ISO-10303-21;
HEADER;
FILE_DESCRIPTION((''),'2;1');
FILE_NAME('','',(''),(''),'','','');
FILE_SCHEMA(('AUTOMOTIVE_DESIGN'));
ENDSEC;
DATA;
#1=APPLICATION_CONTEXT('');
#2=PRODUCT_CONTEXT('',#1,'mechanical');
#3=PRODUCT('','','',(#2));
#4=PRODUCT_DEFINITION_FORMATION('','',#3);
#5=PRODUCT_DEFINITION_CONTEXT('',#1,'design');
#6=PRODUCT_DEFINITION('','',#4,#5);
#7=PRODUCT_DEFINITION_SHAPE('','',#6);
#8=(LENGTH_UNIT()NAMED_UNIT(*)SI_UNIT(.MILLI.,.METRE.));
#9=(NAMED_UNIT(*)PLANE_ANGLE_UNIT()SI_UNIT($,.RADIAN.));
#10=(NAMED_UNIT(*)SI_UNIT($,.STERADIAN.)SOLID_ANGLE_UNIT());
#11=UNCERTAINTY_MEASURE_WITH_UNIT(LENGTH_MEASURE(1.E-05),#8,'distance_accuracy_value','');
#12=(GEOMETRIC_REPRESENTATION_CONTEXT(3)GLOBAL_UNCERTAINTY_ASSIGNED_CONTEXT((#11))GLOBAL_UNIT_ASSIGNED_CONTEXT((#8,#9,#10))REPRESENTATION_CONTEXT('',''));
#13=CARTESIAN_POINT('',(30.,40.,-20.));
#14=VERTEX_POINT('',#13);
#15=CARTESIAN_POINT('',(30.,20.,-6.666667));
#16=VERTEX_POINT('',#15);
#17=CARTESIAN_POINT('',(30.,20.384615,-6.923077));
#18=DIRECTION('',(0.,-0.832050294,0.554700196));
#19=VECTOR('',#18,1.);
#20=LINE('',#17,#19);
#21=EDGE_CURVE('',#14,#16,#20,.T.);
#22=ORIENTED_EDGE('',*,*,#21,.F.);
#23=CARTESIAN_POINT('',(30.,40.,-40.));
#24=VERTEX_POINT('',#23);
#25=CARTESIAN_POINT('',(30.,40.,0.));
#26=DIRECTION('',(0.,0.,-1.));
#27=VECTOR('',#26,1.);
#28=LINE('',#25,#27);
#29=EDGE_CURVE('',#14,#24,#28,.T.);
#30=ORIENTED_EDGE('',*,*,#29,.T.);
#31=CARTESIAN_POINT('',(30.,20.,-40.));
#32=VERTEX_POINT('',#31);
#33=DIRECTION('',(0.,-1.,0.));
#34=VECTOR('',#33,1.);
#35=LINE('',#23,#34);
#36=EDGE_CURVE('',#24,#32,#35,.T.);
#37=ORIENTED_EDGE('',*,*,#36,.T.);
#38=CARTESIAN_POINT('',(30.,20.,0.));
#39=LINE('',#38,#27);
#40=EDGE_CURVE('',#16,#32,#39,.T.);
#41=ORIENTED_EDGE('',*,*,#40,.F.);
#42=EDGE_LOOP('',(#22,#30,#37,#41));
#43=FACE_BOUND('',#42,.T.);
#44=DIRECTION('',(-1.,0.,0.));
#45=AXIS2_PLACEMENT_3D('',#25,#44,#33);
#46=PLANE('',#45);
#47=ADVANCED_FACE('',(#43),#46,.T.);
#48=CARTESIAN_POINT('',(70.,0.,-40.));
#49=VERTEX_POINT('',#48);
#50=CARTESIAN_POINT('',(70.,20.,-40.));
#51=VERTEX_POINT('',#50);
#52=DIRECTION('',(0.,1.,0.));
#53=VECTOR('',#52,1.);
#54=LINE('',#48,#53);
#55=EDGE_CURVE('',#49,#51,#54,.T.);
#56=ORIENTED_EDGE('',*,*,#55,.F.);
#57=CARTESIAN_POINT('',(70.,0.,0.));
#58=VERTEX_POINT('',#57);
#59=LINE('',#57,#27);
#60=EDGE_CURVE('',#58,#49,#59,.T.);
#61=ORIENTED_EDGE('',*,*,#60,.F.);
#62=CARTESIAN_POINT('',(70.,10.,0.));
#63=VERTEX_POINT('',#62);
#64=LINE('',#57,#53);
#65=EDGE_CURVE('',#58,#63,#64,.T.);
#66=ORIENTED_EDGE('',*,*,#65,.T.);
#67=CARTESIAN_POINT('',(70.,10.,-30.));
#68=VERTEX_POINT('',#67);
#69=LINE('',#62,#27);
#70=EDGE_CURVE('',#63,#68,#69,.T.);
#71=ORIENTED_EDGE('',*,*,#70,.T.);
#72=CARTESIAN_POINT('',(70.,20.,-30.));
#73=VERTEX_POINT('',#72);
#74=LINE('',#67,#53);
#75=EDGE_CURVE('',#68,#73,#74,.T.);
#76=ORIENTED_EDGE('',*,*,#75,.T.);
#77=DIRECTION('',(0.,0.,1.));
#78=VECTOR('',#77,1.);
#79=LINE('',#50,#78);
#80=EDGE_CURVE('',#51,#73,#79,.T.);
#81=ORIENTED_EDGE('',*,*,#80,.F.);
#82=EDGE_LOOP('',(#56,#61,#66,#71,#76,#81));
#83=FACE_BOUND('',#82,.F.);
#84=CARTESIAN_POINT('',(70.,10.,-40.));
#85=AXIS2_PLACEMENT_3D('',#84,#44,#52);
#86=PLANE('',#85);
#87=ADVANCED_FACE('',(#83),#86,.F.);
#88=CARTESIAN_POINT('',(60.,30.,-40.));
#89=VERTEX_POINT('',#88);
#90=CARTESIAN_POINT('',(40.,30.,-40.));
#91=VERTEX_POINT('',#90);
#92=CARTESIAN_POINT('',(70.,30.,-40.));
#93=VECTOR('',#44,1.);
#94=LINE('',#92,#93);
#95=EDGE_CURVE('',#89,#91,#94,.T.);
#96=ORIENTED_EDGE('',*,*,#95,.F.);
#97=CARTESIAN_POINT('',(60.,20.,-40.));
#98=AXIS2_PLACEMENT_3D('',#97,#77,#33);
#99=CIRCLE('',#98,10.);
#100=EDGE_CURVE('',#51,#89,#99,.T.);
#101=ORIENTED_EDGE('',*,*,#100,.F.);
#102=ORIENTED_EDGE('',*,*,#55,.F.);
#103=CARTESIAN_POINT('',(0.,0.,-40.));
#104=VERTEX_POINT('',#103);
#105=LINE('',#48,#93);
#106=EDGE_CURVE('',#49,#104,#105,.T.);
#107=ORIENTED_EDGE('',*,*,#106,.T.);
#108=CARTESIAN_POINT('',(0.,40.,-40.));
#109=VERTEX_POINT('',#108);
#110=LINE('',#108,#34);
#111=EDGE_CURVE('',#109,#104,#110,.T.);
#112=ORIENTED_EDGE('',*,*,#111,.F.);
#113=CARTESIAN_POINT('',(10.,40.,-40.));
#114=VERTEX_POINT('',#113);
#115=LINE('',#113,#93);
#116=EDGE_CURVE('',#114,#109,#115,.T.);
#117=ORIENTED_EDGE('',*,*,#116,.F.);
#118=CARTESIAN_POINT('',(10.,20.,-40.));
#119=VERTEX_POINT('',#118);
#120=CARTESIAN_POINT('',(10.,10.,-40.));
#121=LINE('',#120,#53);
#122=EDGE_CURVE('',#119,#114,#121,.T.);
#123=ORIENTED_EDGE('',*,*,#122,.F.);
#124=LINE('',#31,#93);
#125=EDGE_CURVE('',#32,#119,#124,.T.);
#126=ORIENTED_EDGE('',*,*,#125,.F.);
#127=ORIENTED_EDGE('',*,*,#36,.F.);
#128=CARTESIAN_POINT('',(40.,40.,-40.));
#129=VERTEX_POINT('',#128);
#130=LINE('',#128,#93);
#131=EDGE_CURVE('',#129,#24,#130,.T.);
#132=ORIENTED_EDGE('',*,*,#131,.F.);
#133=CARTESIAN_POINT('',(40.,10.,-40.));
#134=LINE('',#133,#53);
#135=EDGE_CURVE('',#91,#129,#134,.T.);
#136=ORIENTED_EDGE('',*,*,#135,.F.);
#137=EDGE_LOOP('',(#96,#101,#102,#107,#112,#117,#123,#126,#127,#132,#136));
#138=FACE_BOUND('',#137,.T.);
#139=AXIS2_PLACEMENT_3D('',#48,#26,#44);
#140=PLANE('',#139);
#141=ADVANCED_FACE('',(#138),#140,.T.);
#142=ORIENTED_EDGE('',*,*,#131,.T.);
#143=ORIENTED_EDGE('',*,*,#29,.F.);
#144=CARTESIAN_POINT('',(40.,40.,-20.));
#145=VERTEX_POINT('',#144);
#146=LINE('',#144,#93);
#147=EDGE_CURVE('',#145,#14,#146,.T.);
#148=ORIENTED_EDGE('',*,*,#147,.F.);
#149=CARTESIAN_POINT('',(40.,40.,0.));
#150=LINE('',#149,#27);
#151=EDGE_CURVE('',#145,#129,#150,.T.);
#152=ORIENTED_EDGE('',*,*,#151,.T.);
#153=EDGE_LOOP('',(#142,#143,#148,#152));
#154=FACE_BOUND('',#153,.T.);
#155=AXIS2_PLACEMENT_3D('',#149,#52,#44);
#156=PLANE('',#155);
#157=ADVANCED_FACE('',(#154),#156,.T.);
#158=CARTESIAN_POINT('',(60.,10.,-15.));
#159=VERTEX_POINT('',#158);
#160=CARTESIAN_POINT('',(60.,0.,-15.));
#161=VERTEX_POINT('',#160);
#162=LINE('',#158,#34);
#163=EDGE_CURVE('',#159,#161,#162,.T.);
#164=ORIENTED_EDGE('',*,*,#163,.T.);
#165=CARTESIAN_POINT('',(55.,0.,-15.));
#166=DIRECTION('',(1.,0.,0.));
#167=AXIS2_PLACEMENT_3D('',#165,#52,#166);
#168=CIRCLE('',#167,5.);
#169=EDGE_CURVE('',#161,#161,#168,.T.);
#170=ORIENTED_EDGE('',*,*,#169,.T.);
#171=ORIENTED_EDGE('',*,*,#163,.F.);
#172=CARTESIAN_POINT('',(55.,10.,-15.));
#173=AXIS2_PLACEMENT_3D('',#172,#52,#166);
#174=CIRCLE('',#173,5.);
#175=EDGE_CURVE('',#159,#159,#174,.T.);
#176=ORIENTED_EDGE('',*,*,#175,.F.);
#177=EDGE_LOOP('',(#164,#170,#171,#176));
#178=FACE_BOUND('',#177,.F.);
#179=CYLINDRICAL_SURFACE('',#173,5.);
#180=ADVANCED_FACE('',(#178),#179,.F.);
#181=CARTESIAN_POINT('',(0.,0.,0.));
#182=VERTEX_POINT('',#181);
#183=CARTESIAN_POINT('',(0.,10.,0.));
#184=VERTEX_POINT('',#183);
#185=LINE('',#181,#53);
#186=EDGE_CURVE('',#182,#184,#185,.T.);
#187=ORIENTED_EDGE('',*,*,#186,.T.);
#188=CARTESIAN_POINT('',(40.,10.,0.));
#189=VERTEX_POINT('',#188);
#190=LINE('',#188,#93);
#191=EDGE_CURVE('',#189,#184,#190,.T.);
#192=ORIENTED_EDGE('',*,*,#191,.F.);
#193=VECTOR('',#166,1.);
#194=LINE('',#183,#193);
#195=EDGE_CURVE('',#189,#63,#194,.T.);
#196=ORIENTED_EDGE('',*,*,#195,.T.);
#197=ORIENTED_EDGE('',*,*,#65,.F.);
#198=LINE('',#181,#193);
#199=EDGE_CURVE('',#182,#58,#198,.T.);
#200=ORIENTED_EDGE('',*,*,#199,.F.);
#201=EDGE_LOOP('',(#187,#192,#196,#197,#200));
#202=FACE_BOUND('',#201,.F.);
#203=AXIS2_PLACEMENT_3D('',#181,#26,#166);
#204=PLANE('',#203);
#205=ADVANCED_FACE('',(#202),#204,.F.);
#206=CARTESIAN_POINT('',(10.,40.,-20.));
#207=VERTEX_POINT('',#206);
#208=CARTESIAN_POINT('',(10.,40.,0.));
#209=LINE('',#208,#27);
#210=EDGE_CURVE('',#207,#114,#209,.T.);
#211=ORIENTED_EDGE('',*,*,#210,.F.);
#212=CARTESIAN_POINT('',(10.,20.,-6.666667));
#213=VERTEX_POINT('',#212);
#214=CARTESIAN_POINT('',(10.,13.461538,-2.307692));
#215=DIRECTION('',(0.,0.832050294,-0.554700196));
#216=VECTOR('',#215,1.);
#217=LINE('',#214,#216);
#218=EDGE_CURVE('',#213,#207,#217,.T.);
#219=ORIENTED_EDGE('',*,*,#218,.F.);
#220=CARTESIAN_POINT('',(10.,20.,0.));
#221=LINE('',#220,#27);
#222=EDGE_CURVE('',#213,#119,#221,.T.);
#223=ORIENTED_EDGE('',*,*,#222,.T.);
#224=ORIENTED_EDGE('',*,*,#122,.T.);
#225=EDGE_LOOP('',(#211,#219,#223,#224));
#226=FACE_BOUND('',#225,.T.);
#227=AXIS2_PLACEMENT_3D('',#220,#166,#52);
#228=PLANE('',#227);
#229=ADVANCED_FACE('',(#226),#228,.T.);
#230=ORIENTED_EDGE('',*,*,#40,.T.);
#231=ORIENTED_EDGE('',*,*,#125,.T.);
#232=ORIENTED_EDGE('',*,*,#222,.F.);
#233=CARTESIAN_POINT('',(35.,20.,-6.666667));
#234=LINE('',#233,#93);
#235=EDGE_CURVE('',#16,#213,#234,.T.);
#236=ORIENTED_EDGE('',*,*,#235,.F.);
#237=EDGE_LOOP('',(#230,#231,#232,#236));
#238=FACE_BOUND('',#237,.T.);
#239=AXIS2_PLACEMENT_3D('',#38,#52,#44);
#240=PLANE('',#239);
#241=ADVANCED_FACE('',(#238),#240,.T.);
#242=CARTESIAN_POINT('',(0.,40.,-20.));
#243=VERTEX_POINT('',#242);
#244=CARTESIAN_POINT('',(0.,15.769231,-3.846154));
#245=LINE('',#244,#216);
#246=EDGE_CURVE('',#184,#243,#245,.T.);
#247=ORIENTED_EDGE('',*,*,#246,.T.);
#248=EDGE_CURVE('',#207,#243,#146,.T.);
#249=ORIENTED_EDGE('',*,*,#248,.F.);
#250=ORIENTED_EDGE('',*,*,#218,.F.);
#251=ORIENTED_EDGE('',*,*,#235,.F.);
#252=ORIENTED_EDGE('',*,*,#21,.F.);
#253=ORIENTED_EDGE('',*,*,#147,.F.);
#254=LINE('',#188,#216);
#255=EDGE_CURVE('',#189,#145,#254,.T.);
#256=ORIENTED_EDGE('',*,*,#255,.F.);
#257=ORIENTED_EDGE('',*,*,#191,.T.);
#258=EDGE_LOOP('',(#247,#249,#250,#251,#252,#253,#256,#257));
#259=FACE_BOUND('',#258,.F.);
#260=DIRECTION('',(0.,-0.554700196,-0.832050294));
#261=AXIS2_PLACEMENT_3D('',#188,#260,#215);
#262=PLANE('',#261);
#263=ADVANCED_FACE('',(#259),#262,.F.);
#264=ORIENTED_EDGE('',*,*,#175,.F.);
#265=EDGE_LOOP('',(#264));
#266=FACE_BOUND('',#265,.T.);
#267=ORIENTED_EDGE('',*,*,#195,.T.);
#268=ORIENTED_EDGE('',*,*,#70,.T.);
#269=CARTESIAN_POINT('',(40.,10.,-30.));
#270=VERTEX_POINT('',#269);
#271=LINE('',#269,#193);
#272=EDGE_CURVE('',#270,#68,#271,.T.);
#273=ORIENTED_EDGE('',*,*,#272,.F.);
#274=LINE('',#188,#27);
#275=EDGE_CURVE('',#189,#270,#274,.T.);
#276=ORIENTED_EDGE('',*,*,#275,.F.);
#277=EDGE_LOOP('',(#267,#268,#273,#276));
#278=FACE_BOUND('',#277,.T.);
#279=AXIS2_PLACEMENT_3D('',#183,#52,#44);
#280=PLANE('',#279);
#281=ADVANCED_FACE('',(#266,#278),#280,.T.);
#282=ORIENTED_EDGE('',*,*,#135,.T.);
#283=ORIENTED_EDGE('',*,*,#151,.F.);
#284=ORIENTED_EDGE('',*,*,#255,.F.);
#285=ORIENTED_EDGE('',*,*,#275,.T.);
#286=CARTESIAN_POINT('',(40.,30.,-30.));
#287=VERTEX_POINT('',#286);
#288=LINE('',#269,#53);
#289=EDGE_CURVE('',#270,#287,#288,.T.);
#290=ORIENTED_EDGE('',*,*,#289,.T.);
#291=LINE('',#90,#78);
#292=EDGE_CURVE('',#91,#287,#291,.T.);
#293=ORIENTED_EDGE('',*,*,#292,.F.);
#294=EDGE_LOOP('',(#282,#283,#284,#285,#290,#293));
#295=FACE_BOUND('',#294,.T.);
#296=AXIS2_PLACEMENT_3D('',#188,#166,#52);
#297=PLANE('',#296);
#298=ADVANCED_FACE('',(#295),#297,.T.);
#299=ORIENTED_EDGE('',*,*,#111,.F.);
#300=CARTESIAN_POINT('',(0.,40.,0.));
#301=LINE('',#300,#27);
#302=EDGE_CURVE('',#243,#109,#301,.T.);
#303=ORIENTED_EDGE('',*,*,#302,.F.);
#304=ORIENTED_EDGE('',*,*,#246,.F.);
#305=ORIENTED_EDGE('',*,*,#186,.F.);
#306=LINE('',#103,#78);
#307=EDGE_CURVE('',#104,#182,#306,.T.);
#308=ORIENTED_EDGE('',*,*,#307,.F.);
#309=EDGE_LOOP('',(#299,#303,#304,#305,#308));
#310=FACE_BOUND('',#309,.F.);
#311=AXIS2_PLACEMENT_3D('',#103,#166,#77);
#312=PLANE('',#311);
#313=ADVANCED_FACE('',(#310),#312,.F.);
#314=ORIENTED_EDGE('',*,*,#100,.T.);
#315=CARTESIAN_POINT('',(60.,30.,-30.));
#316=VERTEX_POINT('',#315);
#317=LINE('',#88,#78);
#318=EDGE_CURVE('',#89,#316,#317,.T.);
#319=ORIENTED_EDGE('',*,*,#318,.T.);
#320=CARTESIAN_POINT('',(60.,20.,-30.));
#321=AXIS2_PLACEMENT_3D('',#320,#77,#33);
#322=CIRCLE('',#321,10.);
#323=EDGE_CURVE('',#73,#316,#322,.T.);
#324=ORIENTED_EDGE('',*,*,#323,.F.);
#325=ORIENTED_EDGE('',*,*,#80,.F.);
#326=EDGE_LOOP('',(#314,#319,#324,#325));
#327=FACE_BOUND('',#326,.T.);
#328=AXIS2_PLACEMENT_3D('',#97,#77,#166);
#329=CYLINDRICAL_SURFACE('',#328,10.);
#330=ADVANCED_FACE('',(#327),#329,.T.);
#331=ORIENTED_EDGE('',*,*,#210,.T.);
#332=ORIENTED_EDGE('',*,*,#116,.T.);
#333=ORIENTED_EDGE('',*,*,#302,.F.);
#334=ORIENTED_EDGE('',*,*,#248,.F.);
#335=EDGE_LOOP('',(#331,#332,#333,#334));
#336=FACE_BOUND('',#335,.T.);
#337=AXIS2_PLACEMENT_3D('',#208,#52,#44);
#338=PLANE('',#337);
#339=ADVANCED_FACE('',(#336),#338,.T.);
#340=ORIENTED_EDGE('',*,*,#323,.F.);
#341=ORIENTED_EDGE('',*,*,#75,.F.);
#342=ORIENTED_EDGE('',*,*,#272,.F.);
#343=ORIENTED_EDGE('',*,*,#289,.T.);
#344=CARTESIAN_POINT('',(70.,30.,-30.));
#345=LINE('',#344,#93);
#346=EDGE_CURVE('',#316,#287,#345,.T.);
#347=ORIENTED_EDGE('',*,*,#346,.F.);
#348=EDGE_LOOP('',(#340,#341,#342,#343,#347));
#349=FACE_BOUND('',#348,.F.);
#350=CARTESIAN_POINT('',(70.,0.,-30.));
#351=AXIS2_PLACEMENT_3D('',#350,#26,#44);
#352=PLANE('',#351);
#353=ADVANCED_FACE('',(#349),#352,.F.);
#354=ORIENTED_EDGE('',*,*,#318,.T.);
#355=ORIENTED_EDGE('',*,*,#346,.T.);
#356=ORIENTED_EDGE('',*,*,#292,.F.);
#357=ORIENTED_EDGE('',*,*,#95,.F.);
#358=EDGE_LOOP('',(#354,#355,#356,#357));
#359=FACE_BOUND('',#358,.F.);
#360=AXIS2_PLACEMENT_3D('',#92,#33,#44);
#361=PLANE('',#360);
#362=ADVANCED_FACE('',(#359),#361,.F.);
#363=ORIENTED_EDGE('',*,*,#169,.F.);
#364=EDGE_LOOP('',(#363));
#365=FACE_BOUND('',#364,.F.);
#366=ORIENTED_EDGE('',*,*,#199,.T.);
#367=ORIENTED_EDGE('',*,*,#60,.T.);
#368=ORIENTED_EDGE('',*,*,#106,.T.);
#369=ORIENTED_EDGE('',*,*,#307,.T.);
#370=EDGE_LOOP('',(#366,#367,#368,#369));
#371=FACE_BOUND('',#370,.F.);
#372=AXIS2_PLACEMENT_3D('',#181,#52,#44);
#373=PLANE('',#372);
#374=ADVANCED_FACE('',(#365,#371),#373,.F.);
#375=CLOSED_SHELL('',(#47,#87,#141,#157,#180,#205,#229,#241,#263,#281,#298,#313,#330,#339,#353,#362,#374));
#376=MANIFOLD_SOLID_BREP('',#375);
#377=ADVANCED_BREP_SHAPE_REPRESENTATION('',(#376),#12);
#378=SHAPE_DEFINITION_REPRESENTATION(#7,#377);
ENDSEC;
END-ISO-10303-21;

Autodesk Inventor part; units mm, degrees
ref_plane "YZ Plane" through (0, 0, 0) normal (1, 0, 0) x (0, 1, 0)
ref_plane "XZ Plane" through (0, 0, 0) normal (0, 1, 0) x (-1, 0, 0)
ref_plane "XY Plane" through (0, 0, 0) normal (0, 0, 1) x (1, 0, 0)
sketch "草圖1" plane through (0, 0, 0) normal (0, 1, 0) x (-1, 0, 0)
  line L0 (0, 0) -> (-70, 0)
  line L1 (-70, 0) -> (-70, -40)
  line L2 (-70, -40) -> (0, -40)
  line L3 (0, -40) -> (0, 0)
  dimension "d0" = 40
  dimension "d1" = 70
extrude "擠出1" add sketch "草圖1" along normal blind 10
sketch "草圖2" plane through (0, 0, 0) normal (0, 0, 1) x (1, 0, 0)
  line L0 (0, 0) -> (0, 10) projected
  line L1 (0, 10) -> (10, 10)
  line L2 (10, 10) -> (10, 40)
  line L3 (10, 40) -> (0, 40)
  line L4 (0, 40) -> (0, 10)
  line L5 (10, 10) -> (30, 10)
  line L6 (30, 10) -> (30, 20)
  line L7 (30, 20) -> (10, 20)
  line L8 (10, 20) -> (10, 10)
  line L9 (30, 10) -> (40, 10)
  line L10 (40, 10) -> (40, 40)
  line L11 (40, 40) -> (30, 40)
  line L12 (30, 40) -> (30, 10)
  dimension "d4" = 20
  dimension "d5" = 10
  dimension "d6" = 10
  dimension "d7" = 10
  dimension "d8" = 30
extrude "擠出2" add sketch "草圖2" against normal blind 40
sketch "草圖3" plane through (70, 0, -40) normal (0, 0, -1) x (-1, 0, 0)
  line L0 (30, 10) -> (30, 40) projected
  line L1 (30, 10) -> (0, 10)
  line L2 (0, 10) -> (0, 30)
  line L3 (0, 30) -> (30, 30)
  line L4 (30, 30) -> (30, 10)
  point P0 (70, 0)
  dimension "d11" = 20
  dimension "d12" = 30
extrude "擠出3" add sketch "草圖3" against normal blind 10
fillet "圓角1" radius 10 1 edges at (70, 30, -35)
sketch "草圖4" plane through (40, 10, 0) normal (1, 0, 0) x (0, 0, -1)
  line L0 (0, 0) -> (0, 30) projected
  line L1 (0, 0) -> (20, 30)
  line L2 (20, 30) -> (0, 30)
  point P0 (0, -10)
  dimension "d16" = 20
  dimension "d17" = 30
extrude "擠出4" cut sketch "草圖4" against normal through all
sketch "草圖5" plane through (0, 10, 0) normal (0, 1, 0) x (1, 0, 0)
  circle A0 centre (55, 15) radius 5
  line L0 (70, 0) -> (70, 30) projected
  line L1 (40, 0) -> (70, 0) projected
  point P0 (0, 0)
  dimension "d20" = 15
  dimension "d21" = 15
  dimension "d22" = 10
extrude "擠出5" cut sketch "草圖5" against normal blind 10
properties part number "31"
